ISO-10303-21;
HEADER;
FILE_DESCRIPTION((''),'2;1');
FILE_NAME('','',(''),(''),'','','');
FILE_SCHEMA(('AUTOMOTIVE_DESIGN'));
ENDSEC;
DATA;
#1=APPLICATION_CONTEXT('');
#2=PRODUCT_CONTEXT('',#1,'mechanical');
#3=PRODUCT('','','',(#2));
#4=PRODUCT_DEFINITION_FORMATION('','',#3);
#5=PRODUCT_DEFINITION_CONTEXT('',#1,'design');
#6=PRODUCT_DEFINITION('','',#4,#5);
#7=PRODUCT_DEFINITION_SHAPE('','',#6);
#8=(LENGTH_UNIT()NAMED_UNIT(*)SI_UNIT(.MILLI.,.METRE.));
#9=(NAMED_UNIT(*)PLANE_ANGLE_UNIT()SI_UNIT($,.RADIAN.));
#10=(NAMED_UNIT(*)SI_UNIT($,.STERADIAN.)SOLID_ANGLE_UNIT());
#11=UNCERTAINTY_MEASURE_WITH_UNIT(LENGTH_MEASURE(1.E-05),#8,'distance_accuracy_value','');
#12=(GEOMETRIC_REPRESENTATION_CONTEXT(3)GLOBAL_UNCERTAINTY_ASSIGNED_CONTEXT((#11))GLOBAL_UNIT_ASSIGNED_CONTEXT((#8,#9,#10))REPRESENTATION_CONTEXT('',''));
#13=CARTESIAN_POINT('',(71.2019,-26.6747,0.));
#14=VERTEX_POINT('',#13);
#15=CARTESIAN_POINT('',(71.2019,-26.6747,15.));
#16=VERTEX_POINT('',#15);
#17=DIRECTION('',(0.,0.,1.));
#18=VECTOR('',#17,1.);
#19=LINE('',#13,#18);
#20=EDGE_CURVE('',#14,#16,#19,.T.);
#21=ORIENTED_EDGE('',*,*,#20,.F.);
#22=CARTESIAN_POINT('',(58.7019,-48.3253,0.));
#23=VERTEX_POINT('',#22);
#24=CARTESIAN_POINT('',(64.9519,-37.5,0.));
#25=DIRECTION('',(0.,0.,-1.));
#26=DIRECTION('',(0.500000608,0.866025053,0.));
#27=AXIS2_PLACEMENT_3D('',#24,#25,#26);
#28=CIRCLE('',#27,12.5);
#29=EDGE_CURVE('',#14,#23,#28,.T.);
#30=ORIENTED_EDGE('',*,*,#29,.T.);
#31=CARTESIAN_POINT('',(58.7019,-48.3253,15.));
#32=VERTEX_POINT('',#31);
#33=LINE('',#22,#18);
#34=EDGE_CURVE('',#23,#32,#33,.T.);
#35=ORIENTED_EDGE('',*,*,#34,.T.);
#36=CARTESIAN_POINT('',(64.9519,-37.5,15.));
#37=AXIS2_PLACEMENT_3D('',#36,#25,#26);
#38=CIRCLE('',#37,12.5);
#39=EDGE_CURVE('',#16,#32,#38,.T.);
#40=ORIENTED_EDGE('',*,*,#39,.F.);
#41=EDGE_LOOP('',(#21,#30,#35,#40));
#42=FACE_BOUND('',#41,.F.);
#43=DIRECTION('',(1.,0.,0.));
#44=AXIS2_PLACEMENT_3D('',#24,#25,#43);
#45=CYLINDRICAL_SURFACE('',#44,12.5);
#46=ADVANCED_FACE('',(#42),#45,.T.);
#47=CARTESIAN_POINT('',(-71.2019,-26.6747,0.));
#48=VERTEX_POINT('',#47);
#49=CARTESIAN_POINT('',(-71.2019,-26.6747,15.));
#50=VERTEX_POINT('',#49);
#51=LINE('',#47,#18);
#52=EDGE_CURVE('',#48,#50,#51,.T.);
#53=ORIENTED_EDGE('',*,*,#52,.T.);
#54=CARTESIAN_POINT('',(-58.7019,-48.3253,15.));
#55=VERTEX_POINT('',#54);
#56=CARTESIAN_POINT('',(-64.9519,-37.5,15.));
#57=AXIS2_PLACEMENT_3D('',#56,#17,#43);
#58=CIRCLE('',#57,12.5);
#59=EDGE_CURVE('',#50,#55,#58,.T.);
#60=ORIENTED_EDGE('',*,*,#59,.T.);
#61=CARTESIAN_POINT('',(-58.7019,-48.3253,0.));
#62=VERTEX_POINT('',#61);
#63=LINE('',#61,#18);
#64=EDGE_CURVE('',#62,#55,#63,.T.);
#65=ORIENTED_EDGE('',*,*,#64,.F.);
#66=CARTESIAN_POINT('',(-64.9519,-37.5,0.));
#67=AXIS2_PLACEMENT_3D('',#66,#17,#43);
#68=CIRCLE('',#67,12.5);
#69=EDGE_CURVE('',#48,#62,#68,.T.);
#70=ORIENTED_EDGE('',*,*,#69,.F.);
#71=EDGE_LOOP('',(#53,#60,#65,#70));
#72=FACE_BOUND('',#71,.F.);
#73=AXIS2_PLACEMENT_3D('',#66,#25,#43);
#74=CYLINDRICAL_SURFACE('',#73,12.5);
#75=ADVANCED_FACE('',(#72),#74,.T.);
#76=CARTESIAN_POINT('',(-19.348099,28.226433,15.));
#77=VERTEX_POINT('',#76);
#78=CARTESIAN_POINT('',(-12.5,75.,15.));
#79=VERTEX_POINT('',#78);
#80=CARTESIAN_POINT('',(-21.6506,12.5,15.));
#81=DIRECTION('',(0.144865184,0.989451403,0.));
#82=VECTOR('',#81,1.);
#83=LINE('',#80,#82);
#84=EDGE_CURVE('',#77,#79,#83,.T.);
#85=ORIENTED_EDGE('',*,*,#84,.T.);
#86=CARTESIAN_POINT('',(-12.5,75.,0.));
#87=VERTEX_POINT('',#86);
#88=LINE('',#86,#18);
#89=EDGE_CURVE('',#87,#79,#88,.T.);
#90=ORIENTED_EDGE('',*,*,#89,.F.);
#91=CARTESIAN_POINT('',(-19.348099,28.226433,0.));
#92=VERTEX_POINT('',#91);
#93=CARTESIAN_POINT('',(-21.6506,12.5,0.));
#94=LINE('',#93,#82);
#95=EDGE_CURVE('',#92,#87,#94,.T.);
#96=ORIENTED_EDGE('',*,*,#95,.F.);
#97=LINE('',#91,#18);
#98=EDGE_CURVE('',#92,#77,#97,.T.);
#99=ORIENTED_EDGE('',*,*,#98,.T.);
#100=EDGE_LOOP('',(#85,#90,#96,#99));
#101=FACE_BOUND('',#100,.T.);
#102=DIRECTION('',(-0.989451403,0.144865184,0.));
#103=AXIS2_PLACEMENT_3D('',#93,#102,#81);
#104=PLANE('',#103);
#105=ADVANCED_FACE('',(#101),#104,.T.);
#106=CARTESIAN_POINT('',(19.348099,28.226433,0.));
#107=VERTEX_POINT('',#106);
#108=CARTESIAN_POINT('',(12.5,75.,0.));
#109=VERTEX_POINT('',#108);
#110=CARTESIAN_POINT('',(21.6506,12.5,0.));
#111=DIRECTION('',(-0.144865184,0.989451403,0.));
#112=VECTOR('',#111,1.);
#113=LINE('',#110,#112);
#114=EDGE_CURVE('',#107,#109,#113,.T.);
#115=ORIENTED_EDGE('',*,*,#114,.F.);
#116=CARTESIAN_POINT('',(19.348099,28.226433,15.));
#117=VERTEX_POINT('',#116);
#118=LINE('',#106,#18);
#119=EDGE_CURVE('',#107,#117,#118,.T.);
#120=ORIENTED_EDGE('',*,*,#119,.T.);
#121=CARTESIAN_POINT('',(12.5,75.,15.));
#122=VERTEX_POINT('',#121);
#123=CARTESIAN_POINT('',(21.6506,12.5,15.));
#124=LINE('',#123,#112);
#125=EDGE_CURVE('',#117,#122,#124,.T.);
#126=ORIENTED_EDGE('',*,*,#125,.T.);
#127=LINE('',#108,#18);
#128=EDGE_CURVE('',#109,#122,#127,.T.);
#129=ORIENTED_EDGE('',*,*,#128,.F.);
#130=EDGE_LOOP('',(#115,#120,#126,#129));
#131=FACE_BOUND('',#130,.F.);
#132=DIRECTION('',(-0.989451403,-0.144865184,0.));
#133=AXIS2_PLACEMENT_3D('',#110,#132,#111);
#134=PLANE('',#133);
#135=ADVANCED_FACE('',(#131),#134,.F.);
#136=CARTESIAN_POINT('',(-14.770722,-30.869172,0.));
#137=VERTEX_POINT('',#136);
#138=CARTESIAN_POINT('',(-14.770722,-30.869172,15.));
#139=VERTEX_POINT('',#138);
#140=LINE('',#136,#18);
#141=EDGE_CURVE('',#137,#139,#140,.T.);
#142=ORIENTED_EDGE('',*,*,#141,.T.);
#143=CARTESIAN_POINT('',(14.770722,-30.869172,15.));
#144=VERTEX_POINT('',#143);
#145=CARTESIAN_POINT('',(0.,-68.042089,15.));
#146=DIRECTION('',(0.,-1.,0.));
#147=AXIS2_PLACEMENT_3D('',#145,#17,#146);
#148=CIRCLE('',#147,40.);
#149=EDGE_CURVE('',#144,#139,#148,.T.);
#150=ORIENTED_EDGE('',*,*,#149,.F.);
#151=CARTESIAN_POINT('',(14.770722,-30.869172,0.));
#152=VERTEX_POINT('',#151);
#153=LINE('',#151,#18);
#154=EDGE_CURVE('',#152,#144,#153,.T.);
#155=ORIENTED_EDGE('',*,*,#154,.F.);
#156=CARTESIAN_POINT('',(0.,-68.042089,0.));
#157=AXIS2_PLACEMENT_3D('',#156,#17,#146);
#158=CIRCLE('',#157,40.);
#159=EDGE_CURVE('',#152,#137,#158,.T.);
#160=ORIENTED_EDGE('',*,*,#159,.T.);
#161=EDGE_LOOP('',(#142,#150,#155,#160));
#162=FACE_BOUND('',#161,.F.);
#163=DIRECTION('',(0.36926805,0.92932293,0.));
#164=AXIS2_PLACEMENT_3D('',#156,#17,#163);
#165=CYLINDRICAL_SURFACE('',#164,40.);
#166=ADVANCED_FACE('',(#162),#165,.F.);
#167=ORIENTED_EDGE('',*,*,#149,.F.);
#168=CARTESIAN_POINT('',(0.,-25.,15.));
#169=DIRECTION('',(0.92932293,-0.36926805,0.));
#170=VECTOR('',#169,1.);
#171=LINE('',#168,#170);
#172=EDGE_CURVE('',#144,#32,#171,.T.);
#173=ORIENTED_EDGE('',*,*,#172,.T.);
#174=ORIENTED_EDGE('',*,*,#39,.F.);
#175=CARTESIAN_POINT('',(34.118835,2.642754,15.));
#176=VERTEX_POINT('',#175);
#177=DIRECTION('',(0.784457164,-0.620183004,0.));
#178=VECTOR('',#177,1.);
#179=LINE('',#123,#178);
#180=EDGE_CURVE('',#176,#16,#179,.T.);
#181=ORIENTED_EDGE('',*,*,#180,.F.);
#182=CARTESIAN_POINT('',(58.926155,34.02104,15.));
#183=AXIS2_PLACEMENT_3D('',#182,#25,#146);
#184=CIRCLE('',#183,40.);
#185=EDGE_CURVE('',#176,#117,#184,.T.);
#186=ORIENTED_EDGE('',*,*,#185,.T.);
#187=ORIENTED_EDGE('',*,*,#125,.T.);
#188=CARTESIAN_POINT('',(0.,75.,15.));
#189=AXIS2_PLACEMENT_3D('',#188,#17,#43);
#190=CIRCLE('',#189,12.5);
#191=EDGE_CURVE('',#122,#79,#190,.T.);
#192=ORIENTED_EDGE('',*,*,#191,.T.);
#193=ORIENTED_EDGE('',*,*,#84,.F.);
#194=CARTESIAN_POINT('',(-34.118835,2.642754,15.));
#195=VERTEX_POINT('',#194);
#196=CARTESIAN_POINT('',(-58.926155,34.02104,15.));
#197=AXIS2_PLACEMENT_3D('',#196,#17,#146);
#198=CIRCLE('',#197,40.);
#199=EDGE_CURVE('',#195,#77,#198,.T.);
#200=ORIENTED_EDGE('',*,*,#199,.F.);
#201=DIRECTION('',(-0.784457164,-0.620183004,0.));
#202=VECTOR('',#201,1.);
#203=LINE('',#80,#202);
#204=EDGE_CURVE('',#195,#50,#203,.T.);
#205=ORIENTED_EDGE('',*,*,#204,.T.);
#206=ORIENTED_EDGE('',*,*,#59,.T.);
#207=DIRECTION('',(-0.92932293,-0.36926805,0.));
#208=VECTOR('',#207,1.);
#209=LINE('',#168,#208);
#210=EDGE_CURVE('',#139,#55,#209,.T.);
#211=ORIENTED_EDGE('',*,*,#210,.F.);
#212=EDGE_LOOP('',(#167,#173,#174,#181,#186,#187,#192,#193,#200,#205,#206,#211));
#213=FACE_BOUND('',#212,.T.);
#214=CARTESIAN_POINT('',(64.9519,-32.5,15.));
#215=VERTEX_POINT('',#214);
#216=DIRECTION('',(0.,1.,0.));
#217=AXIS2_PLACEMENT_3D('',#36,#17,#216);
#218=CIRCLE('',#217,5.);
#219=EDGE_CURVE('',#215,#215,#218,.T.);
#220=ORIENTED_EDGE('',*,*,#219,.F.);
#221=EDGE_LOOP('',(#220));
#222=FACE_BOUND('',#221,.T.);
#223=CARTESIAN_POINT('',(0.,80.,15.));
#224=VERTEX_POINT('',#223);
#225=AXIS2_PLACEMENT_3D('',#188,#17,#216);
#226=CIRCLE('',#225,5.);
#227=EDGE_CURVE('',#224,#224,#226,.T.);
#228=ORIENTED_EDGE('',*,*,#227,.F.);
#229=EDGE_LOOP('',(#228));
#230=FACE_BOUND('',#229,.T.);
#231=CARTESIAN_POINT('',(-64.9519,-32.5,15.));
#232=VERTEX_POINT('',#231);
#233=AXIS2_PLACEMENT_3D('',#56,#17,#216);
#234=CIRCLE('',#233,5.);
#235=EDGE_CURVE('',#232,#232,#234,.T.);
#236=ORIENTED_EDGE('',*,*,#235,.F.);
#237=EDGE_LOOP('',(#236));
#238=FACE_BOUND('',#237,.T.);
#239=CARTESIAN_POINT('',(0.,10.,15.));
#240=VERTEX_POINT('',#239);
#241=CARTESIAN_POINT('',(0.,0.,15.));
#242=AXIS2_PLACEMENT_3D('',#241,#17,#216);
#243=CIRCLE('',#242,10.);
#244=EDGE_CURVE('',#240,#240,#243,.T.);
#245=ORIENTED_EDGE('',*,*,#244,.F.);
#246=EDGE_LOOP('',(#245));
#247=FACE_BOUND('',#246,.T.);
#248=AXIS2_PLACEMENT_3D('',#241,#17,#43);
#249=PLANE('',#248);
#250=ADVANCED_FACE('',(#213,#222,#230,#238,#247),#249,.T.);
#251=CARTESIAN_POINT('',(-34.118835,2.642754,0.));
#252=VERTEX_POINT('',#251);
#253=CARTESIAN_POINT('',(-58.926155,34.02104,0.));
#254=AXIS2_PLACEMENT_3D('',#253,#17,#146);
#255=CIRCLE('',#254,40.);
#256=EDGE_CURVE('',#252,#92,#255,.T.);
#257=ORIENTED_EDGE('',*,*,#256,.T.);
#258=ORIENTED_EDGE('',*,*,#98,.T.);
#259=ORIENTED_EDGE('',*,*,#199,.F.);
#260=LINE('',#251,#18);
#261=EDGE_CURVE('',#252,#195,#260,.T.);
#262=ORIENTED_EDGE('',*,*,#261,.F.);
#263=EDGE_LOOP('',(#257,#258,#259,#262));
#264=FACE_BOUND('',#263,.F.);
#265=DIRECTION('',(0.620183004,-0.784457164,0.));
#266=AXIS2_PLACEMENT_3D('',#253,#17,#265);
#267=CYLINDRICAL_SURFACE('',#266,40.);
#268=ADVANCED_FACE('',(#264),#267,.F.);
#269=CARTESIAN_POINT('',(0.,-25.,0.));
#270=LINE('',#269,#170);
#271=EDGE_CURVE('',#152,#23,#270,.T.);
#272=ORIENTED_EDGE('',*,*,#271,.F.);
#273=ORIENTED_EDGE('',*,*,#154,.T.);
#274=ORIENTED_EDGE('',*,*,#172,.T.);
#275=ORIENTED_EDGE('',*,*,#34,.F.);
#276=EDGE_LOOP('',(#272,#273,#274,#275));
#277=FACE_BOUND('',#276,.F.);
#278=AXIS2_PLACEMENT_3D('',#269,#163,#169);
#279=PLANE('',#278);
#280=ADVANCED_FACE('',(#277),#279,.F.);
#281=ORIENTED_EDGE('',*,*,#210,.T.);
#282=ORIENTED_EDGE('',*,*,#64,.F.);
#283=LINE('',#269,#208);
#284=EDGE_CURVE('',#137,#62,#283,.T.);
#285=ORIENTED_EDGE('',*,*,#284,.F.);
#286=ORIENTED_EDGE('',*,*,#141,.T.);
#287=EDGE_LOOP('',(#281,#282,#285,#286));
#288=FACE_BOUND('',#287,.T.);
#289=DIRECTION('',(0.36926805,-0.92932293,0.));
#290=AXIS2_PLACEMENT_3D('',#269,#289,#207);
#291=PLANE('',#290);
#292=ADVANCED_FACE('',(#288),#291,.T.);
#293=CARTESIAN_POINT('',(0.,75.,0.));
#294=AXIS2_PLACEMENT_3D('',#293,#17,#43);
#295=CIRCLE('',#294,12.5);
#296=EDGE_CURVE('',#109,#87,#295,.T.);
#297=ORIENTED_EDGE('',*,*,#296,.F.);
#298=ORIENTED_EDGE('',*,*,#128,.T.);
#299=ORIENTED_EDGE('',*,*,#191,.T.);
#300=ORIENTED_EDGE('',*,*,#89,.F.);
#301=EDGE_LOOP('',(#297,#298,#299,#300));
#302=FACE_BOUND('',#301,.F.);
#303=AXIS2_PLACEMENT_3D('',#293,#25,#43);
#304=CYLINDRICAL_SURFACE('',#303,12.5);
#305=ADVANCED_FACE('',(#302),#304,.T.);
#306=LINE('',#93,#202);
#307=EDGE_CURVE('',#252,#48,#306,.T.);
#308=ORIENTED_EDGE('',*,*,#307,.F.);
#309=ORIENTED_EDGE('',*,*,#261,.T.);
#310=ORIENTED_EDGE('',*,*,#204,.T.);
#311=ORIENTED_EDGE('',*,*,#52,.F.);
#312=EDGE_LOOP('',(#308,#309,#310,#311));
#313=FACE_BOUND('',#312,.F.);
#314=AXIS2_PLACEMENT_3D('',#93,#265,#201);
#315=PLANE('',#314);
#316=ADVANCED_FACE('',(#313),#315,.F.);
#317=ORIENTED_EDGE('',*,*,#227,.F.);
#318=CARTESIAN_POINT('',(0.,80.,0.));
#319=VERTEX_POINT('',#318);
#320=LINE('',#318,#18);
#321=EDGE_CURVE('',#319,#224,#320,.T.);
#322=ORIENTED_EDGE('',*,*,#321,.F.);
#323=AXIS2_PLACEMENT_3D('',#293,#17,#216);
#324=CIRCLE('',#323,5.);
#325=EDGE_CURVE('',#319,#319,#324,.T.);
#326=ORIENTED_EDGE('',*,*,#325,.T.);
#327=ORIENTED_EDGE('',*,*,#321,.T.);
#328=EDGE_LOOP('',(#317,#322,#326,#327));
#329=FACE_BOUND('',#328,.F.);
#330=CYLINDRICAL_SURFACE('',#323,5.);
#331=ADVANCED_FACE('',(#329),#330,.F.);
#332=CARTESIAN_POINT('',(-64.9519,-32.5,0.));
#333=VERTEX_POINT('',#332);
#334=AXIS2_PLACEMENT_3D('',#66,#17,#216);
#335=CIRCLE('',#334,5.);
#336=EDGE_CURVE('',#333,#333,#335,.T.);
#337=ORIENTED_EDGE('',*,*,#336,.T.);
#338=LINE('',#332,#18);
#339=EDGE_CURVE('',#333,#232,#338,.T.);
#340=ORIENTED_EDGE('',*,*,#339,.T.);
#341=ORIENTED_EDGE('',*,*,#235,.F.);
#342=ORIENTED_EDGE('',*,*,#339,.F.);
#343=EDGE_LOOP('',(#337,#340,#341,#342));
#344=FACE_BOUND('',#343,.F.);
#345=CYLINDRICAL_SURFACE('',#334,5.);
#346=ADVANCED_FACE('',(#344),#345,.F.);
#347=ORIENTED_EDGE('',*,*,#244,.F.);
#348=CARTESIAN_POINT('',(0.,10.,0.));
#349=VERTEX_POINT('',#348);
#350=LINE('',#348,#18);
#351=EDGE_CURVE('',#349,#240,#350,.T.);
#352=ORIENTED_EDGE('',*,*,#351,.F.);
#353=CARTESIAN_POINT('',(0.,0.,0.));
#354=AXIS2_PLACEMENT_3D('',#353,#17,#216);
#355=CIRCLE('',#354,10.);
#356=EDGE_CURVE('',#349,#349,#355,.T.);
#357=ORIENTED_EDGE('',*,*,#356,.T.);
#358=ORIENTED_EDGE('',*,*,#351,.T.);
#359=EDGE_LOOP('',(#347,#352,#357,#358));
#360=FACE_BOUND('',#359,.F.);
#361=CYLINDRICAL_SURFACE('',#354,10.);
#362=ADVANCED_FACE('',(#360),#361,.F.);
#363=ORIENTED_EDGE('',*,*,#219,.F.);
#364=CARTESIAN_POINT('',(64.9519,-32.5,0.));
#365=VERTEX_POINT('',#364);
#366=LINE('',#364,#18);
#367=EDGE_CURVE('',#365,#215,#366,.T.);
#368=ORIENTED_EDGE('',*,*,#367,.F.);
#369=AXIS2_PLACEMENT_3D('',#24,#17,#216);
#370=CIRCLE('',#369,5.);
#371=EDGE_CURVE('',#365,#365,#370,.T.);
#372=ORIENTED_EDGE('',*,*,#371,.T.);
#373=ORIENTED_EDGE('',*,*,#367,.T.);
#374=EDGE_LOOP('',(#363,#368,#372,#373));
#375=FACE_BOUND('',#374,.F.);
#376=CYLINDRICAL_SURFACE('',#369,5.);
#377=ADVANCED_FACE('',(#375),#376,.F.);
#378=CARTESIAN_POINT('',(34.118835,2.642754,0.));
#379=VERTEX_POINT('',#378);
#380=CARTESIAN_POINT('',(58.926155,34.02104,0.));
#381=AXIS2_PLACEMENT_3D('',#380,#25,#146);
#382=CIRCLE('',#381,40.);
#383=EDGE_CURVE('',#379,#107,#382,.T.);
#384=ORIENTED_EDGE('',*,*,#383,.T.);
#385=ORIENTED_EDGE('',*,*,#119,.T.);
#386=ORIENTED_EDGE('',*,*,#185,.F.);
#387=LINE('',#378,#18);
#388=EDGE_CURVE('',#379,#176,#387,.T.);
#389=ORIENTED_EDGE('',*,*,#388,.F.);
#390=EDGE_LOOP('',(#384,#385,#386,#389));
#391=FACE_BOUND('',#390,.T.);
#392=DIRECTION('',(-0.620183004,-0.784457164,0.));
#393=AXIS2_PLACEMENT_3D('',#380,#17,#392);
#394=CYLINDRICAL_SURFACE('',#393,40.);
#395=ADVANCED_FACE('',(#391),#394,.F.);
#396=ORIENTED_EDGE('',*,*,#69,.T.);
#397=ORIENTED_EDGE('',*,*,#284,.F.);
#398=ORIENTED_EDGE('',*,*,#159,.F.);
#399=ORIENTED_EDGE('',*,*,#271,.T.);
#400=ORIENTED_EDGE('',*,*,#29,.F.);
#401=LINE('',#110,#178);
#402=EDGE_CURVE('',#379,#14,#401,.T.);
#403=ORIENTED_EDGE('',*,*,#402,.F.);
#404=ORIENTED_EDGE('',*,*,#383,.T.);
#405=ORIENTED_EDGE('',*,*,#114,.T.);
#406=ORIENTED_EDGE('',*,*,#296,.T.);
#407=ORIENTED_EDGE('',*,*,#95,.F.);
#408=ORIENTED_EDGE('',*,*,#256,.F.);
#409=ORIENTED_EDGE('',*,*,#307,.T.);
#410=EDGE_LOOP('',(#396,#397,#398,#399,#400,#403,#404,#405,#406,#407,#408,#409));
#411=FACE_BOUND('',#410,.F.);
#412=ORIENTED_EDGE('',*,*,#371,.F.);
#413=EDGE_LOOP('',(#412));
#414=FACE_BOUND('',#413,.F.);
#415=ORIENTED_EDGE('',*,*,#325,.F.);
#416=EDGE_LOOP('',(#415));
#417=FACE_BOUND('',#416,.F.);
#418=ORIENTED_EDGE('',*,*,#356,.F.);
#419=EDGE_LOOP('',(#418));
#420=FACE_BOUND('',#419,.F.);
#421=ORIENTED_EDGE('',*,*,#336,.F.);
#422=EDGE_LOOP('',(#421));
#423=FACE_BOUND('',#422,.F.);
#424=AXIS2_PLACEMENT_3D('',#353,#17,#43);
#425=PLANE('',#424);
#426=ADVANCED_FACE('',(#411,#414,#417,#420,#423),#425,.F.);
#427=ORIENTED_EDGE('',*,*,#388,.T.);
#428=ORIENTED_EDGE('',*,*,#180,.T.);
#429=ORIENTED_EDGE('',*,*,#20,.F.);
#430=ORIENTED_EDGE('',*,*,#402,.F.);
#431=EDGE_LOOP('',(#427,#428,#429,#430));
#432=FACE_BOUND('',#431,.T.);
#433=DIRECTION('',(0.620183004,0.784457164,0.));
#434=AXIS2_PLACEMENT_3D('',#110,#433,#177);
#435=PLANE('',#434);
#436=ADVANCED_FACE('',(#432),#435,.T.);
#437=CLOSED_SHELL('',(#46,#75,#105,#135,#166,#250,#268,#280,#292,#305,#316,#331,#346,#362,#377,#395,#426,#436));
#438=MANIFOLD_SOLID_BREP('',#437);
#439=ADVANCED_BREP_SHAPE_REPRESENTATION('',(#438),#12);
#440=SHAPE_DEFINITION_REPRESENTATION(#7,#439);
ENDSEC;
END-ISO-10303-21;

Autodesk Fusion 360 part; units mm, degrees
sketch "Skizze1" plane through (0, 0, 0) normal (0, 0, 1) x (1, 0, 0)
  circle A0 centre (0, 0) radius 25
  circle A1 centre (0, 75) radius 12.5
  line L0 (0, 0) -> (21.6506, 12.5) construction
  line L1 (0, 0) -> (25, 0) construction
  line L2 (21.6506, 12.5) -> (12.5, 75)
  line L3 (0, 0) -> (-21.6506, 12.5) construction
  line L4 (-21.6506, 12.5) -> (-12.5, 75)
  line L5 (0, 75) -> (0, 0) construction
  line L6 (0, 75) -> (-12.5, 75) construction
  line L7 (0, 75) -> (12.5, 75) construction
  line L8 (-21.6506, 12.5) -> (-71.2019, -26.6747)
  circle A2 centre (-64.9519, -37.5) radius 12.5
  line L9 (0, -25) -> (-58.7019, -48.3253)
  line L10 (0, -25) -> (58.7019, -48.3253)
  circle A3 centre (64.9519, -37.5) radius 12.5
  line L11 (21.6506, 12.5) -> (71.2019, -26.6747)
  dimension "d1" = 50
  dimension "d3" = 25
  dimension "d4" = 30
  dimension "d5" = 30
  dimension "d6" = 75
  dimension "d10" = 360
extrude "Extrusion1" add sketch "Skizze1" along normal blind 15
fillet "Abrundung1" radius 40 3 edges at (-21.6506, 12.5, 7.5) (0, -25, 7.5) (21.6506, 12.5, 7.5)
sketch "Skizze2" plane through (0, 0, 0) normal (0, 0, -1) x (-1, 0, 0)
  arc A0 (12.5, 75) -> (-12.5, 75) centre (0, 75) ccw
  line L0 (-12.5, 75) -> (-19.3481, 28.2264)
  arc A1 (-34.1189, 2.6428) -> (-19.3481, 28.2264) centre (-58.9262, 34.021) ccw
  line L1 (-34.1189, 2.6428) -> (-71.2019, -26.6747)
  arc A2 (-71.2019, -26.6747) -> (-58.7019, -48.3253) centre (-64.9519, -37.5) ccw
  line L2 (-58.7019, -48.3253) -> (-14.7707, -30.8692)
  arc A3 (14.7707, -30.8692) -> (-14.7707, -30.8692) centre (0, -68.0421) ccw
  line L3 (14.7707, -30.8692) -> (58.7019, -48.3253)
  arc A4 (58.7019, -48.3253) -> (71.2019, -26.6747) centre (64.9519, -37.5) ccw
  line L4 (71.2019, -26.6747) -> (34.1189, 2.6428)
  arc A5 (19.3481, 28.2264) -> (34.1189, 2.6428) centre (58.9262, 34.021) ccw
  line L5 (19.3481, 28.2264) -> (12.5, 75)
  point P0 (0, 75)
  point P1 (-64.9519, -37.5)
  point P2 (64.9519, -37.5)
hole "Bohrung1" at (0, 75, 0) at (-64.9519, -37.5, 0) at (64.9519, -37.5, 0) direction (0, 0, 1) diameter 10 end through all
sketch "Skizze4" plane through (0, 0, 0) normal (0, 0, -1) x (-1, 0, 0)
  circle A0 centre (64.9519, -37.5) radius 5
  circle A1 centre (0, 75) radius 5
  circle A2 centre (-64.9519, -37.5) radius 5
  arc A3 (12.5, 75) -> (-12.5, 75) centre (0, 75) ccw
  line L0 (-12.5, 75) -> (-19.3481, 28.2264)
  arc A4 (-34.1189, 2.6428) -> (-19.3481, 28.2264) centre (-58.9262, 34.021) ccw
  line L1 (-34.1189, 2.6428) -> (-71.2019, -26.6747)
  arc A5 (-71.2019, -26.6747) -> (-58.7019, -48.3253) centre (-64.9519, -37.5) ccw
  line L2 (-58.7019, -48.3253) -> (-14.7707, -30.8692)
  arc A6 (14.7707, -30.8692) -> (-14.7707, -30.8692) centre (0, -68.0421) ccw
  line L3 (14.7707, -30.8692) -> (58.7019, -48.3253)
  arc A7 (58.7019, -48.3253) -> (71.2019, -26.6747) centre (64.9519, -37.5) ccw
  line L4 (71.2019, -26.6747) -> (34.1189, 2.6428)
  arc A8 (19.3481, 28.2264) -> (34.1189, 2.6428) centre (58.9262, 34.021) ccw
  line L5 (19.3481, 28.2264) -> (12.5, 75)
hole "Bohrung2" at (0, 0, 0) direction (0, 0, 1) diameter 20 end through all
